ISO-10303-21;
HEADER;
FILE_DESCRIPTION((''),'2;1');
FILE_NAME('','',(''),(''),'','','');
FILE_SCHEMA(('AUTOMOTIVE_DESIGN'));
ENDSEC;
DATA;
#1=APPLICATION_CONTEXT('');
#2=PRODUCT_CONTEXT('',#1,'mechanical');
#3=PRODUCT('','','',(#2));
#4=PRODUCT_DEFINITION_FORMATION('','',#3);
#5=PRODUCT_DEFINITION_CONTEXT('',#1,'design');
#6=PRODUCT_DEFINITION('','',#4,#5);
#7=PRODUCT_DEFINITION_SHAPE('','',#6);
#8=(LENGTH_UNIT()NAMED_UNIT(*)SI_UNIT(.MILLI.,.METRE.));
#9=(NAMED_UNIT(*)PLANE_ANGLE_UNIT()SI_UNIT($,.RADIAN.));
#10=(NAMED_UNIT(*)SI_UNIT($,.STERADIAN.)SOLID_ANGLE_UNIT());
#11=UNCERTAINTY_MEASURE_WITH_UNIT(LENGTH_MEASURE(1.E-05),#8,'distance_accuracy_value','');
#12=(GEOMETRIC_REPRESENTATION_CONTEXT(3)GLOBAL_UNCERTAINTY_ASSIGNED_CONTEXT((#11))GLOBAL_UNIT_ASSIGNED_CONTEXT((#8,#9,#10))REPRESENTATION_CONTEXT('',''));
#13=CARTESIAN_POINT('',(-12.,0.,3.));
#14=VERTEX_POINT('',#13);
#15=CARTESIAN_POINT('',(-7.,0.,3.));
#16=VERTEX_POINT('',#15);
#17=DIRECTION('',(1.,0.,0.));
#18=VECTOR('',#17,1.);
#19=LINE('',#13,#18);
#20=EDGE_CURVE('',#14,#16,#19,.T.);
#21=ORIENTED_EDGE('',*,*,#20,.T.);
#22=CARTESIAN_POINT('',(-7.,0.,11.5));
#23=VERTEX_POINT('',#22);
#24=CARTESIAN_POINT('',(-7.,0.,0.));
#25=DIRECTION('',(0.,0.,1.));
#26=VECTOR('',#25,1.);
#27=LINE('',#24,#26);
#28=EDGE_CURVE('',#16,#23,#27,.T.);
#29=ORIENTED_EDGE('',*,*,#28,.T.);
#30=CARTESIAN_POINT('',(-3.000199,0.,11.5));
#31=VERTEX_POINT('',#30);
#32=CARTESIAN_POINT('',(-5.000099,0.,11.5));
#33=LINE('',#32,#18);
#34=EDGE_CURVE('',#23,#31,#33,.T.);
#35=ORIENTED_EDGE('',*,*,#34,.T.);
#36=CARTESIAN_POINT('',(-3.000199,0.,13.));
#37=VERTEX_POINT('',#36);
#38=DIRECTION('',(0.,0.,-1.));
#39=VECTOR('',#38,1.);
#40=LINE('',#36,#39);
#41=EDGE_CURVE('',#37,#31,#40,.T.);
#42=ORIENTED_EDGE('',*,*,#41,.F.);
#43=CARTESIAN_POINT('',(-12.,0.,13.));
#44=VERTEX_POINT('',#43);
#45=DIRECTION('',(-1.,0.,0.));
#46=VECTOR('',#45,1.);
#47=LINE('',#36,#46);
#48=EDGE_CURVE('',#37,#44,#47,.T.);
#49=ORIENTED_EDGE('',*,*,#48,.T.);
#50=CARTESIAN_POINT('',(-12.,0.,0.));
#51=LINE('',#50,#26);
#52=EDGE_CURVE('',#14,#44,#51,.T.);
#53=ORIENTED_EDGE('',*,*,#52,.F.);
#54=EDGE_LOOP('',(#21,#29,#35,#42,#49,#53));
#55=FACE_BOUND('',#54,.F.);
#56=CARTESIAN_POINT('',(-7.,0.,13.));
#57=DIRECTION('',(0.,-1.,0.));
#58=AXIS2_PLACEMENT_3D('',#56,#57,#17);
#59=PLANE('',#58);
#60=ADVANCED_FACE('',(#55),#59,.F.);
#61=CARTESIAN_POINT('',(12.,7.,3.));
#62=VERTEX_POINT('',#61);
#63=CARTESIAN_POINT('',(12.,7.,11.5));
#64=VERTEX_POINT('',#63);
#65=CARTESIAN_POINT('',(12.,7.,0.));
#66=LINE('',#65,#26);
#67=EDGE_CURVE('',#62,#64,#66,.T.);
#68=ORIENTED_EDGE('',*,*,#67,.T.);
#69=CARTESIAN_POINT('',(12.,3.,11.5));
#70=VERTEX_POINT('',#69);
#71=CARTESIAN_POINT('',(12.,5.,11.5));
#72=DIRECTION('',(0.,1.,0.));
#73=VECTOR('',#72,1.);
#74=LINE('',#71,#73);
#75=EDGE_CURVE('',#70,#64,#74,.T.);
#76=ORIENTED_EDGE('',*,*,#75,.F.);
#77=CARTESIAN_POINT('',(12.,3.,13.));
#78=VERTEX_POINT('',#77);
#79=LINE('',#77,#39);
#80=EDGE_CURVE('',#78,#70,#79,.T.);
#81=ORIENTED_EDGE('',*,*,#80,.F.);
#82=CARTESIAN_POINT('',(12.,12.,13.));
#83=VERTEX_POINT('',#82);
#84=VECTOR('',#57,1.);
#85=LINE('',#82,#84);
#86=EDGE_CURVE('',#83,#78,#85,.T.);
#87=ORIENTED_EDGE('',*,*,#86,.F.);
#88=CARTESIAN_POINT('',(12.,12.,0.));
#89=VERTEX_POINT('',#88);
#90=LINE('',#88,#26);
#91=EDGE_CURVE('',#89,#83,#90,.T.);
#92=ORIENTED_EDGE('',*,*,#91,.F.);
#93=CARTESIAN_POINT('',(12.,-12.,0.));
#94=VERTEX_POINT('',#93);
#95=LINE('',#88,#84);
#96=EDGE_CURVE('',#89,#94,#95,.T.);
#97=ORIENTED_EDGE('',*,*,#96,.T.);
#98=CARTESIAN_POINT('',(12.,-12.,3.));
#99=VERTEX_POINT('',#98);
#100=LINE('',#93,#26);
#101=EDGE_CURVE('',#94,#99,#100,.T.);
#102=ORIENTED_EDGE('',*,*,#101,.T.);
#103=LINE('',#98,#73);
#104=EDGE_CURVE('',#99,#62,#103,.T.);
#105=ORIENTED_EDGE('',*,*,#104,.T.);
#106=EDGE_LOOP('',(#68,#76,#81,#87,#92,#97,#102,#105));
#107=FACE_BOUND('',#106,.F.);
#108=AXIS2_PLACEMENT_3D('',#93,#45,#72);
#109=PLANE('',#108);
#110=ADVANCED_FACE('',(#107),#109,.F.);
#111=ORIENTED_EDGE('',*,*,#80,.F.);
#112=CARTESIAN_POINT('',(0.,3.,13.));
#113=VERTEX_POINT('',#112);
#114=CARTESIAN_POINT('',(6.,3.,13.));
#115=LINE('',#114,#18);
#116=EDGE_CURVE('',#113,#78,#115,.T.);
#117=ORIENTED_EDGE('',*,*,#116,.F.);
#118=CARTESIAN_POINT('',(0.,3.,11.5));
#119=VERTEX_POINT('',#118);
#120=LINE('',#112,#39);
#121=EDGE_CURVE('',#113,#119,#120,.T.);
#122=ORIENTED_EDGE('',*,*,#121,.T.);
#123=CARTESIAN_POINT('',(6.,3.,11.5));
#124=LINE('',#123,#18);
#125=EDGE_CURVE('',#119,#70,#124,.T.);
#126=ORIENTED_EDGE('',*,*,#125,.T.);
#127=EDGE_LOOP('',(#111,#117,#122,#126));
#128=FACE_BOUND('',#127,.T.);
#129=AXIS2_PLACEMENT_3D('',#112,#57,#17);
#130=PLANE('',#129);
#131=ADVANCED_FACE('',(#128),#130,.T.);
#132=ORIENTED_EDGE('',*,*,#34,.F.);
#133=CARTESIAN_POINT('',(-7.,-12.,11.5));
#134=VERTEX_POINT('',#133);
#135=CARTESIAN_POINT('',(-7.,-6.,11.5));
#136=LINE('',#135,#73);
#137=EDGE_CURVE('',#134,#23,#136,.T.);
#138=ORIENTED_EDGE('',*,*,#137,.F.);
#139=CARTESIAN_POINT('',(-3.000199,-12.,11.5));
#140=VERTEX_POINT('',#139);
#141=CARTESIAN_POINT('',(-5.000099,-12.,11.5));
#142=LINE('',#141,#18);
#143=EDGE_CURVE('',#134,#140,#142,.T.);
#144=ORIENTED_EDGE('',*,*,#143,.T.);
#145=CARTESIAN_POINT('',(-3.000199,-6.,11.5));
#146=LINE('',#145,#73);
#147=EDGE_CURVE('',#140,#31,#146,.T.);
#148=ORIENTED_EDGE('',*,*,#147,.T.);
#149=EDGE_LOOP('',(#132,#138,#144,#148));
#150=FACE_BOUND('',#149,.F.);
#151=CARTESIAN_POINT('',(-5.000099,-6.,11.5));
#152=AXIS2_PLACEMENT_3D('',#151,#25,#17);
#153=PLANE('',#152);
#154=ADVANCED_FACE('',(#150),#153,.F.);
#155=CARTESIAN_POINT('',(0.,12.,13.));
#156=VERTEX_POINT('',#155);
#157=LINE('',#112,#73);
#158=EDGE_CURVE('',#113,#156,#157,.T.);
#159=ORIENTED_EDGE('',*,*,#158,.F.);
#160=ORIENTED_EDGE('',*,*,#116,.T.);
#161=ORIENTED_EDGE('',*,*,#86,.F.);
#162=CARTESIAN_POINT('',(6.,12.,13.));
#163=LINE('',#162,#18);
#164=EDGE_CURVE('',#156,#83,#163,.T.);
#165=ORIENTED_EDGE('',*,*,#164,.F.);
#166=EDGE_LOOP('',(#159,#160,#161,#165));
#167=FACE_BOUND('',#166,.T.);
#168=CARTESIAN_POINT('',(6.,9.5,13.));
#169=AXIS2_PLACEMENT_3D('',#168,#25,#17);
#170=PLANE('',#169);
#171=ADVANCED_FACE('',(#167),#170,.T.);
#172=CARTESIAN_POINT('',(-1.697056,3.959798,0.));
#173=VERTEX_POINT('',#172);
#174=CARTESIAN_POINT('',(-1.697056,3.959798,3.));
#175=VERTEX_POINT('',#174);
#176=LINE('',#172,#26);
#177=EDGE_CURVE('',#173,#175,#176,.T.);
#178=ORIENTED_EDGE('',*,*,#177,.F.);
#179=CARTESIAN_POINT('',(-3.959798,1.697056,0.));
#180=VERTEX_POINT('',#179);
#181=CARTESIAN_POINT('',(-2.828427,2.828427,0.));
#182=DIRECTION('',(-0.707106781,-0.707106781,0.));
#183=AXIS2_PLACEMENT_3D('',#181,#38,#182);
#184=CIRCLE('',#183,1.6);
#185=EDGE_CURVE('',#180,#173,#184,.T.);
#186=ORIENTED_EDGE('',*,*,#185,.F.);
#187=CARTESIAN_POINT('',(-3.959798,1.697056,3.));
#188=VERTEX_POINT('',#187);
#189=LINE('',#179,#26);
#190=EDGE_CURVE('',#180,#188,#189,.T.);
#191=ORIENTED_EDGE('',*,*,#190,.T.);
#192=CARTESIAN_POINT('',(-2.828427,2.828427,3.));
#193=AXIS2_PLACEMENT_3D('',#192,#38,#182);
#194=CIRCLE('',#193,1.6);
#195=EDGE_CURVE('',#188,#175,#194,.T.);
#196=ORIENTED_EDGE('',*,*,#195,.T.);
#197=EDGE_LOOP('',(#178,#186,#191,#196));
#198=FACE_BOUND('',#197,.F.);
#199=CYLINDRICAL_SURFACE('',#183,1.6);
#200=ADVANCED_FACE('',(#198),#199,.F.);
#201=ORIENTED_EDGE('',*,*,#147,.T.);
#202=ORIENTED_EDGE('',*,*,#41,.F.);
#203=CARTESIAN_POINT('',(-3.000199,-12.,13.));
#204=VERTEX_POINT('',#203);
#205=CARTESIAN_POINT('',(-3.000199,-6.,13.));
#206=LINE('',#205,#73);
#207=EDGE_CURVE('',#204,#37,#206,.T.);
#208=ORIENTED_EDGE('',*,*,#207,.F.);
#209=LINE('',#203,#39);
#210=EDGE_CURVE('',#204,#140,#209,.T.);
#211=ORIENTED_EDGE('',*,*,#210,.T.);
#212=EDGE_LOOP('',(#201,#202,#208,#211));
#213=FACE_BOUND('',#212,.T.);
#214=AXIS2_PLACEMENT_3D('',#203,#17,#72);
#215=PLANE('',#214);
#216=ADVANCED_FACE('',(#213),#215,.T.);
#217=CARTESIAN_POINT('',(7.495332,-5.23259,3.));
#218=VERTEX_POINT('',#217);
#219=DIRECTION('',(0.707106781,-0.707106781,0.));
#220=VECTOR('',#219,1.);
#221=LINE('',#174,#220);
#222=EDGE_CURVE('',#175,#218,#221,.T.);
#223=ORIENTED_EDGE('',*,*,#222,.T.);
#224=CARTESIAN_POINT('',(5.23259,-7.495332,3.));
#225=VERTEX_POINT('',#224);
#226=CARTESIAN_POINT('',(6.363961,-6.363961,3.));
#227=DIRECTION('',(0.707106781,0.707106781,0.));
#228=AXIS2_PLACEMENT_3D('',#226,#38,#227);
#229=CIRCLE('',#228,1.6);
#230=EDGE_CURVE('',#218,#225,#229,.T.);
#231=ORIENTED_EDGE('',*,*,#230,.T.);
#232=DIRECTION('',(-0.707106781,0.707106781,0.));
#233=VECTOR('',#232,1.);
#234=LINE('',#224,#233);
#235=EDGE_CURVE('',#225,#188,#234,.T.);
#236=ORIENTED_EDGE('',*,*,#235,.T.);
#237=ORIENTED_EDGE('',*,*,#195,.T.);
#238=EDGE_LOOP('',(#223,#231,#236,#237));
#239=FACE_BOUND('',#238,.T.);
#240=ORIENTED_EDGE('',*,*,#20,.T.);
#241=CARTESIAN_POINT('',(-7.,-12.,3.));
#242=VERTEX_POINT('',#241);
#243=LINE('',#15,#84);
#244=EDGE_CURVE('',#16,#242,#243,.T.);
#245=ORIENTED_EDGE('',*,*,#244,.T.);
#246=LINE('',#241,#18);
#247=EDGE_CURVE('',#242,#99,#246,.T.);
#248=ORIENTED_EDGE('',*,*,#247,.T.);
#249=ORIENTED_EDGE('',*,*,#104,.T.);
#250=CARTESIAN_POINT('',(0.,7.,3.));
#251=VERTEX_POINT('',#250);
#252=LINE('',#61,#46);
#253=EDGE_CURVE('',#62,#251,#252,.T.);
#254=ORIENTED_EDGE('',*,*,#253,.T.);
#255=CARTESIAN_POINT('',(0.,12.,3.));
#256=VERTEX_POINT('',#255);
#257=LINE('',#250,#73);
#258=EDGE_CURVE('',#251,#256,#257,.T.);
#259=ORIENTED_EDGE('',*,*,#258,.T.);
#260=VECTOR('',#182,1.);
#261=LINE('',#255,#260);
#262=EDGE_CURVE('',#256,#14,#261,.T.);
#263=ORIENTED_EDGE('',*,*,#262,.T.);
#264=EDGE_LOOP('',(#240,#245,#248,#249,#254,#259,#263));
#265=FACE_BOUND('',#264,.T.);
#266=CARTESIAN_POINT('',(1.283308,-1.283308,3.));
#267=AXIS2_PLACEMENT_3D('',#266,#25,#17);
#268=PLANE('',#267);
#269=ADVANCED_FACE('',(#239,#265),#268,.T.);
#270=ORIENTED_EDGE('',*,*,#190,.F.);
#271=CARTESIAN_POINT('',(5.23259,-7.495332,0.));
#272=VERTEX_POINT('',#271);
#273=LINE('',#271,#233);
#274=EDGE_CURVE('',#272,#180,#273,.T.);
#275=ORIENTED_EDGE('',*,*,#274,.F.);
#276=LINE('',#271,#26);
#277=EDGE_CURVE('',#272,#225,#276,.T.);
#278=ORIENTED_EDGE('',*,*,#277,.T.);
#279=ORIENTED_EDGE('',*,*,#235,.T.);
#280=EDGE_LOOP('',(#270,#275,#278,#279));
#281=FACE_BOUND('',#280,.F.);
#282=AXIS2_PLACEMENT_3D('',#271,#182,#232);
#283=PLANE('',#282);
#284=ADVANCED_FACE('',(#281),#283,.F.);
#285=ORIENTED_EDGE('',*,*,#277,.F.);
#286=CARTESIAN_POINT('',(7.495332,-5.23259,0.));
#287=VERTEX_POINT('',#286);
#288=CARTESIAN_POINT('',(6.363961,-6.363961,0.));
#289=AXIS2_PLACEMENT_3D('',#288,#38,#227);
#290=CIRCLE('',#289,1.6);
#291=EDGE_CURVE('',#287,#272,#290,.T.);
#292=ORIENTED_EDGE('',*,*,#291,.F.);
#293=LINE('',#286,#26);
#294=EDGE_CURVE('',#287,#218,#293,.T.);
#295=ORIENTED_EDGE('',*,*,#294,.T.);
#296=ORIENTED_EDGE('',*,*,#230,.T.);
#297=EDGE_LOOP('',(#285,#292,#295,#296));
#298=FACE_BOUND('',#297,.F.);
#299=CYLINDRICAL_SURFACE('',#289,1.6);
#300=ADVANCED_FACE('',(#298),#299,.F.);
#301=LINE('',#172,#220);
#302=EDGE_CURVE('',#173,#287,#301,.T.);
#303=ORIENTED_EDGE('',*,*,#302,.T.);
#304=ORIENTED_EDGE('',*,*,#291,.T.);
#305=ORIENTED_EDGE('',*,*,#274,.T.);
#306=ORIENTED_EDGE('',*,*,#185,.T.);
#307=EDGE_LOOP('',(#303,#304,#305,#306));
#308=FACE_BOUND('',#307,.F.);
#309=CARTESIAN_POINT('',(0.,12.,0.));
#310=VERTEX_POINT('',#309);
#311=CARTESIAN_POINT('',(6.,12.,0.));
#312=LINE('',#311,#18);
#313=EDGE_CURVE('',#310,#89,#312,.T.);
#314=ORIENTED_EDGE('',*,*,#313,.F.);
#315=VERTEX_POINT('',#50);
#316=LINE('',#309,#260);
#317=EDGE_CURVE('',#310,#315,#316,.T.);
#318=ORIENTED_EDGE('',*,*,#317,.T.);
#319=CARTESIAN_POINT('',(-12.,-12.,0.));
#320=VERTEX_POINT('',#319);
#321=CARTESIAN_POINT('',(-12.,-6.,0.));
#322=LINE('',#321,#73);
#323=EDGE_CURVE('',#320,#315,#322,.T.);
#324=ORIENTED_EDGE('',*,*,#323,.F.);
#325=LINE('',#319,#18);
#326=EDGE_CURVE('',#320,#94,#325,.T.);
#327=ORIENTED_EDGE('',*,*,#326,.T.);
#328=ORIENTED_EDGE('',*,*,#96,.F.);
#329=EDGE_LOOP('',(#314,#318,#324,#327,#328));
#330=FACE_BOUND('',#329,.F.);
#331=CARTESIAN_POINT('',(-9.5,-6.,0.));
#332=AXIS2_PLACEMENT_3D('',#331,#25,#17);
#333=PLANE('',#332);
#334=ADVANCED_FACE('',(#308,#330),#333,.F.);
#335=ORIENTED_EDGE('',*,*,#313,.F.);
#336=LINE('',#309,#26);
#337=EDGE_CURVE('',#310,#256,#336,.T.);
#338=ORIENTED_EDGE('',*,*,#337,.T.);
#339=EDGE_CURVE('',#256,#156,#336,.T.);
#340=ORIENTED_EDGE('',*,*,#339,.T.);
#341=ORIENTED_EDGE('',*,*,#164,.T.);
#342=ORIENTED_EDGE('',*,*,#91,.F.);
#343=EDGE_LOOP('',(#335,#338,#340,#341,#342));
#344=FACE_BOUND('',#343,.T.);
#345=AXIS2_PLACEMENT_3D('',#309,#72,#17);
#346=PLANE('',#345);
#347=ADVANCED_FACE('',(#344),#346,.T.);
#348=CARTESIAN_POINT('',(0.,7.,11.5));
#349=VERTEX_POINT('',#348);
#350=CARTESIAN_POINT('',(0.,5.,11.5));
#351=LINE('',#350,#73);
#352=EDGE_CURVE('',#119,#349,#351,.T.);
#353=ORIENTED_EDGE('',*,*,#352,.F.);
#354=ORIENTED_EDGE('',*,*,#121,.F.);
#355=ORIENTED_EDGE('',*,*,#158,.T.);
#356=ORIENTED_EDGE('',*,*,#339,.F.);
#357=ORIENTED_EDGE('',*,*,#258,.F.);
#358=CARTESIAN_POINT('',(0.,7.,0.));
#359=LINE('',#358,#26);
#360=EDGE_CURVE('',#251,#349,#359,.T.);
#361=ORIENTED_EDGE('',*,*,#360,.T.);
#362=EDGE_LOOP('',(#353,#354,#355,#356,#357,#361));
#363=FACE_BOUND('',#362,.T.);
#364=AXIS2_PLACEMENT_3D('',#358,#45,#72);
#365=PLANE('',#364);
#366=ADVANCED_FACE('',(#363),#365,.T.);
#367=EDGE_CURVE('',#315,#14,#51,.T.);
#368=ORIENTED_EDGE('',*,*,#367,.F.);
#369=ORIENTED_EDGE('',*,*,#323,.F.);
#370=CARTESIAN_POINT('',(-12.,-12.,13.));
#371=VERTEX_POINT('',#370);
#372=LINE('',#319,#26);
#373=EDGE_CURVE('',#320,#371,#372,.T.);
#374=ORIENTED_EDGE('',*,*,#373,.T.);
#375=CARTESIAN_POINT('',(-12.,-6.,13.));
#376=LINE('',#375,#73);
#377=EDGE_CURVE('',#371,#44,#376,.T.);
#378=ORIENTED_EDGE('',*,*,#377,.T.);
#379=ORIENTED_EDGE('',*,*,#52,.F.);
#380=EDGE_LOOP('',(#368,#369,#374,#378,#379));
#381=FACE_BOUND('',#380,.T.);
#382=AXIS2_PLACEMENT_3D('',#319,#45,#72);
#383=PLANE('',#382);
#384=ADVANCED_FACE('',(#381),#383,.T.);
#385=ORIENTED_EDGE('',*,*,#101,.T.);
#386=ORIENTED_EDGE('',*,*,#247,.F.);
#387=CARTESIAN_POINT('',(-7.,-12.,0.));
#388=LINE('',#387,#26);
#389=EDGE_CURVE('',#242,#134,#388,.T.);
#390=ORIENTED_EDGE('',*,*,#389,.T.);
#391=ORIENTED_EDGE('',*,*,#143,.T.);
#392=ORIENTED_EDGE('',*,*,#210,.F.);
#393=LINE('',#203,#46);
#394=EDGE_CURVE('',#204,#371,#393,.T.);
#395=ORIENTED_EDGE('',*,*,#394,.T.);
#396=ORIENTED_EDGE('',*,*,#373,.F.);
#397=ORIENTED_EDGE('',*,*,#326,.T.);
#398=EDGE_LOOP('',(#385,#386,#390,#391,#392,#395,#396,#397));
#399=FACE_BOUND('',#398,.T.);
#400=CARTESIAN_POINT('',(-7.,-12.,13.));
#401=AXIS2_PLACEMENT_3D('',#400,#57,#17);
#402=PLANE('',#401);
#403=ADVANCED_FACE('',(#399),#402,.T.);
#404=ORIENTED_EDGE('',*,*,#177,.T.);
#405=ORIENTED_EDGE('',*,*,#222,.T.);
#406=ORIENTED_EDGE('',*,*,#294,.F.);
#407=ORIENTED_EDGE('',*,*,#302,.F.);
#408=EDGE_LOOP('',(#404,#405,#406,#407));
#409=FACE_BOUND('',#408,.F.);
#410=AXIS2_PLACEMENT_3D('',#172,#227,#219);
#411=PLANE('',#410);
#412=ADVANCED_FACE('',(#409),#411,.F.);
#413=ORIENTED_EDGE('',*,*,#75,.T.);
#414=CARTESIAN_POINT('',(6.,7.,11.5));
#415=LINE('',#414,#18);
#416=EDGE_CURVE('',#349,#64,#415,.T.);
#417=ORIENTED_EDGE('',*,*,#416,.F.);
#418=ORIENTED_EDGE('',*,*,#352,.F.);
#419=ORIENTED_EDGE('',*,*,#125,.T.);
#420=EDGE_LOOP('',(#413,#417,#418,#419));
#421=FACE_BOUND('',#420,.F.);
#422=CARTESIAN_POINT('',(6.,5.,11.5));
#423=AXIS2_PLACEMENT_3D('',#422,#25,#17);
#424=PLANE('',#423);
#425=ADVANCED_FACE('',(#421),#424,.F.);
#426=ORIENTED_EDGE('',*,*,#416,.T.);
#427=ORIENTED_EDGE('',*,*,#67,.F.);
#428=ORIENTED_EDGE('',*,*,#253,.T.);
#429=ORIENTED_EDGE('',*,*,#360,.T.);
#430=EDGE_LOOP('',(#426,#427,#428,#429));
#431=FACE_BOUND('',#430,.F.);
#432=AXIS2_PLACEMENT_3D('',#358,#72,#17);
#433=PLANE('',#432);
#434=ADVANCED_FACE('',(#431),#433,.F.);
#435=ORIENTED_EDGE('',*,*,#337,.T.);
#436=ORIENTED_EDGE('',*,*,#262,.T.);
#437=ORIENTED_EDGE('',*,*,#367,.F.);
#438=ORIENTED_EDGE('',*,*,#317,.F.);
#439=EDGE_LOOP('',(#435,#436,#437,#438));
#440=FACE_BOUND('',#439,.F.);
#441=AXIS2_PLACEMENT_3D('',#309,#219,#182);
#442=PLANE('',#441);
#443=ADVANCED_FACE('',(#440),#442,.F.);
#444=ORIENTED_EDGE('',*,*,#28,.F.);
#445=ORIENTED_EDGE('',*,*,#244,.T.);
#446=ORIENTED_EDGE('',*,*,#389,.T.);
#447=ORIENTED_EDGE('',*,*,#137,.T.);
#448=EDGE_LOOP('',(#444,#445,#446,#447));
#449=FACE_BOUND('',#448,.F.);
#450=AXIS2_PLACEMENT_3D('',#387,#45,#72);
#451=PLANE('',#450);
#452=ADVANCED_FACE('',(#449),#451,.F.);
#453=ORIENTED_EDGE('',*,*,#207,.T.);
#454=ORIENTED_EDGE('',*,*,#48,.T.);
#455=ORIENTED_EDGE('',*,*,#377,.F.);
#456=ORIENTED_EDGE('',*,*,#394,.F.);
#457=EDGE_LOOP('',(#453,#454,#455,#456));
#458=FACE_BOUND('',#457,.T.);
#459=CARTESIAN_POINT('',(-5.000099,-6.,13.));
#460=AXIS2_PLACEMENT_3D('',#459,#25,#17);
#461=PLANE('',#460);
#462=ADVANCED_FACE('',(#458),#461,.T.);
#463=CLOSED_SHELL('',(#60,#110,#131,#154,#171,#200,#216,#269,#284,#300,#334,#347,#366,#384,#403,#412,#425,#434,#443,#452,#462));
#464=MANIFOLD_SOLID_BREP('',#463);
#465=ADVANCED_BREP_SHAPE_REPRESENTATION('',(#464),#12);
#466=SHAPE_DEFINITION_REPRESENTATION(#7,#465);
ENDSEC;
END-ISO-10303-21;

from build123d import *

# Parameters (mm, degrees)
F1_DEPTH = 3
F0_W     = 5
F0_H     = 12
F0_W_2   = 12
F0_H_2   = 5
F2_DEPTH = 13
F4_W     = 3.9998013438
F4_H     = 12
F4_W_2   = 12
F4_H_2   = 4
F5_DEPTH = 1.5


with BuildPart() as f1:
    # F0 (on Top) → F1 (new body)
    with BuildSketch(Plane.XY):
        Polygon((0, 7), (0, 12), (-12, 0), (-7, 0), (-7, -12), (12, -12), (12, 7), align=None)
        with BuildLine():
            ThreePointArc((-3.9597979746, 1.6970562748), (-3.9597979746, 3.9597979746), (-1.6970562748, 3.9597979746))
            Line((-1.6970562748, 3.9597979746), (7.4953318806, -5.2325901808))
            ThreePointArc((7.4953318806, -5.2325901808), (7.4953318806, -7.4953318806), (5.2325901808, -7.4953318806))
            Line((5.2325901808, -7.4953318806), (-3.9597979746, 1.6970562748))
        make_face(mode=Mode.SUBTRACT)
    extrude(amount=F1_DEPTH)

    # F0 (on Top) → F2 (join)
    with BuildSketch(Plane.XY):
        with Locations((-9.5, -6)):
            Rectangle(F0_W, F0_H)
        with Locations((6, 9.5)):
            Rectangle(F0_W_2, F0_H_2)
    extrude(amount=F2_DEPTH)

    # F4 (on offset) → F5 (join)
    with BuildSketch(Plane.XY.offset(13)):
        with Locations((-5.0000993281, -6)):
            Rectangle(F4_W, F4_H)
        with Locations((6, 5)):
            Rectangle(F4_W_2, F4_H_2)
    extrude(amount=-F5_DEPTH)


solid = f1.part
